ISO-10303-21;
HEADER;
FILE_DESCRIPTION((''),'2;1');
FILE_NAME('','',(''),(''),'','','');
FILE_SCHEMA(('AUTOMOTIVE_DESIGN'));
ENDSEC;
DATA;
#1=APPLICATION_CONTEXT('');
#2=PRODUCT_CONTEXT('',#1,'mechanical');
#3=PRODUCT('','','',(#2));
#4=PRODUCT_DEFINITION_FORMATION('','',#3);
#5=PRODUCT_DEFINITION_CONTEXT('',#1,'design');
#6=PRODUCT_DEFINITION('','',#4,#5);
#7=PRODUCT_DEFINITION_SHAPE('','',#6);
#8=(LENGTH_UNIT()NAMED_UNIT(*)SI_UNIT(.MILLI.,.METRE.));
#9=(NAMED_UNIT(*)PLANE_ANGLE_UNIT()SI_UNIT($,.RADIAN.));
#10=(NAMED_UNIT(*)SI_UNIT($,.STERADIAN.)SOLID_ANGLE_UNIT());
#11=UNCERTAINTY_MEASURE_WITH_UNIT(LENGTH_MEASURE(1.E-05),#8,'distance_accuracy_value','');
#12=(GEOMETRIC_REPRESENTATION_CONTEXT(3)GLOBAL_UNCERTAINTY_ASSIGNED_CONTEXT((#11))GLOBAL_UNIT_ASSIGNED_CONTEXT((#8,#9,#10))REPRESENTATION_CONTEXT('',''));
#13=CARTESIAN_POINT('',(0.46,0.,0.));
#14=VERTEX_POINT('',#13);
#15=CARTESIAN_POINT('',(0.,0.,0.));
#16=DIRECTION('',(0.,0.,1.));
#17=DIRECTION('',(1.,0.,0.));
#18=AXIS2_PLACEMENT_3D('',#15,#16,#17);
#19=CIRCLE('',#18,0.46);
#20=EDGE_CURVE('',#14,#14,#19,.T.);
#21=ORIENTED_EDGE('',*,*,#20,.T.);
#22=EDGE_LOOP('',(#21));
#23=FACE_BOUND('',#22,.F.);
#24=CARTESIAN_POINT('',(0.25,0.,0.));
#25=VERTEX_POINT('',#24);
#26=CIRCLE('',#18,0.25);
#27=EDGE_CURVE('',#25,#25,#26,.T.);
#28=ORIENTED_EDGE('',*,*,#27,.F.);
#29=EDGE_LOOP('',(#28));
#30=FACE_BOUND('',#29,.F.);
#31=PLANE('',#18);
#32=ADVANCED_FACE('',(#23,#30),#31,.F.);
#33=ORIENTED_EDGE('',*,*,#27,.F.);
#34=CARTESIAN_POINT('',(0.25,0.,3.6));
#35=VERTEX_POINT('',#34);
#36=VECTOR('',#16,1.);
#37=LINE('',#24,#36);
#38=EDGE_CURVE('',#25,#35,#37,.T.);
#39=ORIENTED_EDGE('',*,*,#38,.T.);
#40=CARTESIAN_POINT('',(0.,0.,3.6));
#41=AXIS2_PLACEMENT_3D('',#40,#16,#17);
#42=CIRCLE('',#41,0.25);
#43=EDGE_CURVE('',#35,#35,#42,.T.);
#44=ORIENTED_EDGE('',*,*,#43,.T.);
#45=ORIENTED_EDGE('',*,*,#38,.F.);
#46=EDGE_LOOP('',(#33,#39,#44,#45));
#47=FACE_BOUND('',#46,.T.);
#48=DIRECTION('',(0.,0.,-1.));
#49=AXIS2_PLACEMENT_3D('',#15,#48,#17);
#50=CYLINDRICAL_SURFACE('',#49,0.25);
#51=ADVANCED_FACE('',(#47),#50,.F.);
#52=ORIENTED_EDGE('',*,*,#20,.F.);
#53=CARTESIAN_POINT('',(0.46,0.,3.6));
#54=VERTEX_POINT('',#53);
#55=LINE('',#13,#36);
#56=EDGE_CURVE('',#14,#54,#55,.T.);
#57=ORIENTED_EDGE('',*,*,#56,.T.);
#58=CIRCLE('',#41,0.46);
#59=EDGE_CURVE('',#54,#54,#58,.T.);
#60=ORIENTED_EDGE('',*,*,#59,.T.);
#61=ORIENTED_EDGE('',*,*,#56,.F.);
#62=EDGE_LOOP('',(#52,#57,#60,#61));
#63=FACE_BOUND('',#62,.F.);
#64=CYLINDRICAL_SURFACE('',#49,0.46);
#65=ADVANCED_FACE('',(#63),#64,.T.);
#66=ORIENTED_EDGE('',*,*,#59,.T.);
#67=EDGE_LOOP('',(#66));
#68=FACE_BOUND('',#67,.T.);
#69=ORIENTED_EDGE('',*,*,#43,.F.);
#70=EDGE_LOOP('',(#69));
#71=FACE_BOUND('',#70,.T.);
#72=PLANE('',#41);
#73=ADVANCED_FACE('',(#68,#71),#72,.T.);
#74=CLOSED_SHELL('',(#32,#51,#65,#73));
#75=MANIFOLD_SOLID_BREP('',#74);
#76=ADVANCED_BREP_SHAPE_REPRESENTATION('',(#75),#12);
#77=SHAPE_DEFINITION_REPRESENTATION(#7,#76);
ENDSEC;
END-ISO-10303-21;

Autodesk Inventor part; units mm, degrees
ref_plane "YZ Plane" through (0, 0, 0) normal (1, 0, 0) x (0, 1, 0)
ref_plane "XZ Plane" through (0, 0, 0) normal (0, 1, 0) x (-1, 0, 0)
ref_plane "XY Plane" through (0, 0, 0) normal (0, 0, 1) x (1, 0, 0)
sketch "Sketch1" plane through (0, 0, 0) normal (0, 0, 1) x (1, 0, 0)
  circle A0 centre (0, 0) radius 0.46
  circle A1 centre (0, 0) radius 0.25
  dimension "d0" = 0.92
  dimension "d2" = 0.5
extrude "Extrusion1" add sketch "Sketch1" along normal blind 3.6
equation "\"User1\" = 1"
properties part number "PP-01" material "Steel, Mild"
